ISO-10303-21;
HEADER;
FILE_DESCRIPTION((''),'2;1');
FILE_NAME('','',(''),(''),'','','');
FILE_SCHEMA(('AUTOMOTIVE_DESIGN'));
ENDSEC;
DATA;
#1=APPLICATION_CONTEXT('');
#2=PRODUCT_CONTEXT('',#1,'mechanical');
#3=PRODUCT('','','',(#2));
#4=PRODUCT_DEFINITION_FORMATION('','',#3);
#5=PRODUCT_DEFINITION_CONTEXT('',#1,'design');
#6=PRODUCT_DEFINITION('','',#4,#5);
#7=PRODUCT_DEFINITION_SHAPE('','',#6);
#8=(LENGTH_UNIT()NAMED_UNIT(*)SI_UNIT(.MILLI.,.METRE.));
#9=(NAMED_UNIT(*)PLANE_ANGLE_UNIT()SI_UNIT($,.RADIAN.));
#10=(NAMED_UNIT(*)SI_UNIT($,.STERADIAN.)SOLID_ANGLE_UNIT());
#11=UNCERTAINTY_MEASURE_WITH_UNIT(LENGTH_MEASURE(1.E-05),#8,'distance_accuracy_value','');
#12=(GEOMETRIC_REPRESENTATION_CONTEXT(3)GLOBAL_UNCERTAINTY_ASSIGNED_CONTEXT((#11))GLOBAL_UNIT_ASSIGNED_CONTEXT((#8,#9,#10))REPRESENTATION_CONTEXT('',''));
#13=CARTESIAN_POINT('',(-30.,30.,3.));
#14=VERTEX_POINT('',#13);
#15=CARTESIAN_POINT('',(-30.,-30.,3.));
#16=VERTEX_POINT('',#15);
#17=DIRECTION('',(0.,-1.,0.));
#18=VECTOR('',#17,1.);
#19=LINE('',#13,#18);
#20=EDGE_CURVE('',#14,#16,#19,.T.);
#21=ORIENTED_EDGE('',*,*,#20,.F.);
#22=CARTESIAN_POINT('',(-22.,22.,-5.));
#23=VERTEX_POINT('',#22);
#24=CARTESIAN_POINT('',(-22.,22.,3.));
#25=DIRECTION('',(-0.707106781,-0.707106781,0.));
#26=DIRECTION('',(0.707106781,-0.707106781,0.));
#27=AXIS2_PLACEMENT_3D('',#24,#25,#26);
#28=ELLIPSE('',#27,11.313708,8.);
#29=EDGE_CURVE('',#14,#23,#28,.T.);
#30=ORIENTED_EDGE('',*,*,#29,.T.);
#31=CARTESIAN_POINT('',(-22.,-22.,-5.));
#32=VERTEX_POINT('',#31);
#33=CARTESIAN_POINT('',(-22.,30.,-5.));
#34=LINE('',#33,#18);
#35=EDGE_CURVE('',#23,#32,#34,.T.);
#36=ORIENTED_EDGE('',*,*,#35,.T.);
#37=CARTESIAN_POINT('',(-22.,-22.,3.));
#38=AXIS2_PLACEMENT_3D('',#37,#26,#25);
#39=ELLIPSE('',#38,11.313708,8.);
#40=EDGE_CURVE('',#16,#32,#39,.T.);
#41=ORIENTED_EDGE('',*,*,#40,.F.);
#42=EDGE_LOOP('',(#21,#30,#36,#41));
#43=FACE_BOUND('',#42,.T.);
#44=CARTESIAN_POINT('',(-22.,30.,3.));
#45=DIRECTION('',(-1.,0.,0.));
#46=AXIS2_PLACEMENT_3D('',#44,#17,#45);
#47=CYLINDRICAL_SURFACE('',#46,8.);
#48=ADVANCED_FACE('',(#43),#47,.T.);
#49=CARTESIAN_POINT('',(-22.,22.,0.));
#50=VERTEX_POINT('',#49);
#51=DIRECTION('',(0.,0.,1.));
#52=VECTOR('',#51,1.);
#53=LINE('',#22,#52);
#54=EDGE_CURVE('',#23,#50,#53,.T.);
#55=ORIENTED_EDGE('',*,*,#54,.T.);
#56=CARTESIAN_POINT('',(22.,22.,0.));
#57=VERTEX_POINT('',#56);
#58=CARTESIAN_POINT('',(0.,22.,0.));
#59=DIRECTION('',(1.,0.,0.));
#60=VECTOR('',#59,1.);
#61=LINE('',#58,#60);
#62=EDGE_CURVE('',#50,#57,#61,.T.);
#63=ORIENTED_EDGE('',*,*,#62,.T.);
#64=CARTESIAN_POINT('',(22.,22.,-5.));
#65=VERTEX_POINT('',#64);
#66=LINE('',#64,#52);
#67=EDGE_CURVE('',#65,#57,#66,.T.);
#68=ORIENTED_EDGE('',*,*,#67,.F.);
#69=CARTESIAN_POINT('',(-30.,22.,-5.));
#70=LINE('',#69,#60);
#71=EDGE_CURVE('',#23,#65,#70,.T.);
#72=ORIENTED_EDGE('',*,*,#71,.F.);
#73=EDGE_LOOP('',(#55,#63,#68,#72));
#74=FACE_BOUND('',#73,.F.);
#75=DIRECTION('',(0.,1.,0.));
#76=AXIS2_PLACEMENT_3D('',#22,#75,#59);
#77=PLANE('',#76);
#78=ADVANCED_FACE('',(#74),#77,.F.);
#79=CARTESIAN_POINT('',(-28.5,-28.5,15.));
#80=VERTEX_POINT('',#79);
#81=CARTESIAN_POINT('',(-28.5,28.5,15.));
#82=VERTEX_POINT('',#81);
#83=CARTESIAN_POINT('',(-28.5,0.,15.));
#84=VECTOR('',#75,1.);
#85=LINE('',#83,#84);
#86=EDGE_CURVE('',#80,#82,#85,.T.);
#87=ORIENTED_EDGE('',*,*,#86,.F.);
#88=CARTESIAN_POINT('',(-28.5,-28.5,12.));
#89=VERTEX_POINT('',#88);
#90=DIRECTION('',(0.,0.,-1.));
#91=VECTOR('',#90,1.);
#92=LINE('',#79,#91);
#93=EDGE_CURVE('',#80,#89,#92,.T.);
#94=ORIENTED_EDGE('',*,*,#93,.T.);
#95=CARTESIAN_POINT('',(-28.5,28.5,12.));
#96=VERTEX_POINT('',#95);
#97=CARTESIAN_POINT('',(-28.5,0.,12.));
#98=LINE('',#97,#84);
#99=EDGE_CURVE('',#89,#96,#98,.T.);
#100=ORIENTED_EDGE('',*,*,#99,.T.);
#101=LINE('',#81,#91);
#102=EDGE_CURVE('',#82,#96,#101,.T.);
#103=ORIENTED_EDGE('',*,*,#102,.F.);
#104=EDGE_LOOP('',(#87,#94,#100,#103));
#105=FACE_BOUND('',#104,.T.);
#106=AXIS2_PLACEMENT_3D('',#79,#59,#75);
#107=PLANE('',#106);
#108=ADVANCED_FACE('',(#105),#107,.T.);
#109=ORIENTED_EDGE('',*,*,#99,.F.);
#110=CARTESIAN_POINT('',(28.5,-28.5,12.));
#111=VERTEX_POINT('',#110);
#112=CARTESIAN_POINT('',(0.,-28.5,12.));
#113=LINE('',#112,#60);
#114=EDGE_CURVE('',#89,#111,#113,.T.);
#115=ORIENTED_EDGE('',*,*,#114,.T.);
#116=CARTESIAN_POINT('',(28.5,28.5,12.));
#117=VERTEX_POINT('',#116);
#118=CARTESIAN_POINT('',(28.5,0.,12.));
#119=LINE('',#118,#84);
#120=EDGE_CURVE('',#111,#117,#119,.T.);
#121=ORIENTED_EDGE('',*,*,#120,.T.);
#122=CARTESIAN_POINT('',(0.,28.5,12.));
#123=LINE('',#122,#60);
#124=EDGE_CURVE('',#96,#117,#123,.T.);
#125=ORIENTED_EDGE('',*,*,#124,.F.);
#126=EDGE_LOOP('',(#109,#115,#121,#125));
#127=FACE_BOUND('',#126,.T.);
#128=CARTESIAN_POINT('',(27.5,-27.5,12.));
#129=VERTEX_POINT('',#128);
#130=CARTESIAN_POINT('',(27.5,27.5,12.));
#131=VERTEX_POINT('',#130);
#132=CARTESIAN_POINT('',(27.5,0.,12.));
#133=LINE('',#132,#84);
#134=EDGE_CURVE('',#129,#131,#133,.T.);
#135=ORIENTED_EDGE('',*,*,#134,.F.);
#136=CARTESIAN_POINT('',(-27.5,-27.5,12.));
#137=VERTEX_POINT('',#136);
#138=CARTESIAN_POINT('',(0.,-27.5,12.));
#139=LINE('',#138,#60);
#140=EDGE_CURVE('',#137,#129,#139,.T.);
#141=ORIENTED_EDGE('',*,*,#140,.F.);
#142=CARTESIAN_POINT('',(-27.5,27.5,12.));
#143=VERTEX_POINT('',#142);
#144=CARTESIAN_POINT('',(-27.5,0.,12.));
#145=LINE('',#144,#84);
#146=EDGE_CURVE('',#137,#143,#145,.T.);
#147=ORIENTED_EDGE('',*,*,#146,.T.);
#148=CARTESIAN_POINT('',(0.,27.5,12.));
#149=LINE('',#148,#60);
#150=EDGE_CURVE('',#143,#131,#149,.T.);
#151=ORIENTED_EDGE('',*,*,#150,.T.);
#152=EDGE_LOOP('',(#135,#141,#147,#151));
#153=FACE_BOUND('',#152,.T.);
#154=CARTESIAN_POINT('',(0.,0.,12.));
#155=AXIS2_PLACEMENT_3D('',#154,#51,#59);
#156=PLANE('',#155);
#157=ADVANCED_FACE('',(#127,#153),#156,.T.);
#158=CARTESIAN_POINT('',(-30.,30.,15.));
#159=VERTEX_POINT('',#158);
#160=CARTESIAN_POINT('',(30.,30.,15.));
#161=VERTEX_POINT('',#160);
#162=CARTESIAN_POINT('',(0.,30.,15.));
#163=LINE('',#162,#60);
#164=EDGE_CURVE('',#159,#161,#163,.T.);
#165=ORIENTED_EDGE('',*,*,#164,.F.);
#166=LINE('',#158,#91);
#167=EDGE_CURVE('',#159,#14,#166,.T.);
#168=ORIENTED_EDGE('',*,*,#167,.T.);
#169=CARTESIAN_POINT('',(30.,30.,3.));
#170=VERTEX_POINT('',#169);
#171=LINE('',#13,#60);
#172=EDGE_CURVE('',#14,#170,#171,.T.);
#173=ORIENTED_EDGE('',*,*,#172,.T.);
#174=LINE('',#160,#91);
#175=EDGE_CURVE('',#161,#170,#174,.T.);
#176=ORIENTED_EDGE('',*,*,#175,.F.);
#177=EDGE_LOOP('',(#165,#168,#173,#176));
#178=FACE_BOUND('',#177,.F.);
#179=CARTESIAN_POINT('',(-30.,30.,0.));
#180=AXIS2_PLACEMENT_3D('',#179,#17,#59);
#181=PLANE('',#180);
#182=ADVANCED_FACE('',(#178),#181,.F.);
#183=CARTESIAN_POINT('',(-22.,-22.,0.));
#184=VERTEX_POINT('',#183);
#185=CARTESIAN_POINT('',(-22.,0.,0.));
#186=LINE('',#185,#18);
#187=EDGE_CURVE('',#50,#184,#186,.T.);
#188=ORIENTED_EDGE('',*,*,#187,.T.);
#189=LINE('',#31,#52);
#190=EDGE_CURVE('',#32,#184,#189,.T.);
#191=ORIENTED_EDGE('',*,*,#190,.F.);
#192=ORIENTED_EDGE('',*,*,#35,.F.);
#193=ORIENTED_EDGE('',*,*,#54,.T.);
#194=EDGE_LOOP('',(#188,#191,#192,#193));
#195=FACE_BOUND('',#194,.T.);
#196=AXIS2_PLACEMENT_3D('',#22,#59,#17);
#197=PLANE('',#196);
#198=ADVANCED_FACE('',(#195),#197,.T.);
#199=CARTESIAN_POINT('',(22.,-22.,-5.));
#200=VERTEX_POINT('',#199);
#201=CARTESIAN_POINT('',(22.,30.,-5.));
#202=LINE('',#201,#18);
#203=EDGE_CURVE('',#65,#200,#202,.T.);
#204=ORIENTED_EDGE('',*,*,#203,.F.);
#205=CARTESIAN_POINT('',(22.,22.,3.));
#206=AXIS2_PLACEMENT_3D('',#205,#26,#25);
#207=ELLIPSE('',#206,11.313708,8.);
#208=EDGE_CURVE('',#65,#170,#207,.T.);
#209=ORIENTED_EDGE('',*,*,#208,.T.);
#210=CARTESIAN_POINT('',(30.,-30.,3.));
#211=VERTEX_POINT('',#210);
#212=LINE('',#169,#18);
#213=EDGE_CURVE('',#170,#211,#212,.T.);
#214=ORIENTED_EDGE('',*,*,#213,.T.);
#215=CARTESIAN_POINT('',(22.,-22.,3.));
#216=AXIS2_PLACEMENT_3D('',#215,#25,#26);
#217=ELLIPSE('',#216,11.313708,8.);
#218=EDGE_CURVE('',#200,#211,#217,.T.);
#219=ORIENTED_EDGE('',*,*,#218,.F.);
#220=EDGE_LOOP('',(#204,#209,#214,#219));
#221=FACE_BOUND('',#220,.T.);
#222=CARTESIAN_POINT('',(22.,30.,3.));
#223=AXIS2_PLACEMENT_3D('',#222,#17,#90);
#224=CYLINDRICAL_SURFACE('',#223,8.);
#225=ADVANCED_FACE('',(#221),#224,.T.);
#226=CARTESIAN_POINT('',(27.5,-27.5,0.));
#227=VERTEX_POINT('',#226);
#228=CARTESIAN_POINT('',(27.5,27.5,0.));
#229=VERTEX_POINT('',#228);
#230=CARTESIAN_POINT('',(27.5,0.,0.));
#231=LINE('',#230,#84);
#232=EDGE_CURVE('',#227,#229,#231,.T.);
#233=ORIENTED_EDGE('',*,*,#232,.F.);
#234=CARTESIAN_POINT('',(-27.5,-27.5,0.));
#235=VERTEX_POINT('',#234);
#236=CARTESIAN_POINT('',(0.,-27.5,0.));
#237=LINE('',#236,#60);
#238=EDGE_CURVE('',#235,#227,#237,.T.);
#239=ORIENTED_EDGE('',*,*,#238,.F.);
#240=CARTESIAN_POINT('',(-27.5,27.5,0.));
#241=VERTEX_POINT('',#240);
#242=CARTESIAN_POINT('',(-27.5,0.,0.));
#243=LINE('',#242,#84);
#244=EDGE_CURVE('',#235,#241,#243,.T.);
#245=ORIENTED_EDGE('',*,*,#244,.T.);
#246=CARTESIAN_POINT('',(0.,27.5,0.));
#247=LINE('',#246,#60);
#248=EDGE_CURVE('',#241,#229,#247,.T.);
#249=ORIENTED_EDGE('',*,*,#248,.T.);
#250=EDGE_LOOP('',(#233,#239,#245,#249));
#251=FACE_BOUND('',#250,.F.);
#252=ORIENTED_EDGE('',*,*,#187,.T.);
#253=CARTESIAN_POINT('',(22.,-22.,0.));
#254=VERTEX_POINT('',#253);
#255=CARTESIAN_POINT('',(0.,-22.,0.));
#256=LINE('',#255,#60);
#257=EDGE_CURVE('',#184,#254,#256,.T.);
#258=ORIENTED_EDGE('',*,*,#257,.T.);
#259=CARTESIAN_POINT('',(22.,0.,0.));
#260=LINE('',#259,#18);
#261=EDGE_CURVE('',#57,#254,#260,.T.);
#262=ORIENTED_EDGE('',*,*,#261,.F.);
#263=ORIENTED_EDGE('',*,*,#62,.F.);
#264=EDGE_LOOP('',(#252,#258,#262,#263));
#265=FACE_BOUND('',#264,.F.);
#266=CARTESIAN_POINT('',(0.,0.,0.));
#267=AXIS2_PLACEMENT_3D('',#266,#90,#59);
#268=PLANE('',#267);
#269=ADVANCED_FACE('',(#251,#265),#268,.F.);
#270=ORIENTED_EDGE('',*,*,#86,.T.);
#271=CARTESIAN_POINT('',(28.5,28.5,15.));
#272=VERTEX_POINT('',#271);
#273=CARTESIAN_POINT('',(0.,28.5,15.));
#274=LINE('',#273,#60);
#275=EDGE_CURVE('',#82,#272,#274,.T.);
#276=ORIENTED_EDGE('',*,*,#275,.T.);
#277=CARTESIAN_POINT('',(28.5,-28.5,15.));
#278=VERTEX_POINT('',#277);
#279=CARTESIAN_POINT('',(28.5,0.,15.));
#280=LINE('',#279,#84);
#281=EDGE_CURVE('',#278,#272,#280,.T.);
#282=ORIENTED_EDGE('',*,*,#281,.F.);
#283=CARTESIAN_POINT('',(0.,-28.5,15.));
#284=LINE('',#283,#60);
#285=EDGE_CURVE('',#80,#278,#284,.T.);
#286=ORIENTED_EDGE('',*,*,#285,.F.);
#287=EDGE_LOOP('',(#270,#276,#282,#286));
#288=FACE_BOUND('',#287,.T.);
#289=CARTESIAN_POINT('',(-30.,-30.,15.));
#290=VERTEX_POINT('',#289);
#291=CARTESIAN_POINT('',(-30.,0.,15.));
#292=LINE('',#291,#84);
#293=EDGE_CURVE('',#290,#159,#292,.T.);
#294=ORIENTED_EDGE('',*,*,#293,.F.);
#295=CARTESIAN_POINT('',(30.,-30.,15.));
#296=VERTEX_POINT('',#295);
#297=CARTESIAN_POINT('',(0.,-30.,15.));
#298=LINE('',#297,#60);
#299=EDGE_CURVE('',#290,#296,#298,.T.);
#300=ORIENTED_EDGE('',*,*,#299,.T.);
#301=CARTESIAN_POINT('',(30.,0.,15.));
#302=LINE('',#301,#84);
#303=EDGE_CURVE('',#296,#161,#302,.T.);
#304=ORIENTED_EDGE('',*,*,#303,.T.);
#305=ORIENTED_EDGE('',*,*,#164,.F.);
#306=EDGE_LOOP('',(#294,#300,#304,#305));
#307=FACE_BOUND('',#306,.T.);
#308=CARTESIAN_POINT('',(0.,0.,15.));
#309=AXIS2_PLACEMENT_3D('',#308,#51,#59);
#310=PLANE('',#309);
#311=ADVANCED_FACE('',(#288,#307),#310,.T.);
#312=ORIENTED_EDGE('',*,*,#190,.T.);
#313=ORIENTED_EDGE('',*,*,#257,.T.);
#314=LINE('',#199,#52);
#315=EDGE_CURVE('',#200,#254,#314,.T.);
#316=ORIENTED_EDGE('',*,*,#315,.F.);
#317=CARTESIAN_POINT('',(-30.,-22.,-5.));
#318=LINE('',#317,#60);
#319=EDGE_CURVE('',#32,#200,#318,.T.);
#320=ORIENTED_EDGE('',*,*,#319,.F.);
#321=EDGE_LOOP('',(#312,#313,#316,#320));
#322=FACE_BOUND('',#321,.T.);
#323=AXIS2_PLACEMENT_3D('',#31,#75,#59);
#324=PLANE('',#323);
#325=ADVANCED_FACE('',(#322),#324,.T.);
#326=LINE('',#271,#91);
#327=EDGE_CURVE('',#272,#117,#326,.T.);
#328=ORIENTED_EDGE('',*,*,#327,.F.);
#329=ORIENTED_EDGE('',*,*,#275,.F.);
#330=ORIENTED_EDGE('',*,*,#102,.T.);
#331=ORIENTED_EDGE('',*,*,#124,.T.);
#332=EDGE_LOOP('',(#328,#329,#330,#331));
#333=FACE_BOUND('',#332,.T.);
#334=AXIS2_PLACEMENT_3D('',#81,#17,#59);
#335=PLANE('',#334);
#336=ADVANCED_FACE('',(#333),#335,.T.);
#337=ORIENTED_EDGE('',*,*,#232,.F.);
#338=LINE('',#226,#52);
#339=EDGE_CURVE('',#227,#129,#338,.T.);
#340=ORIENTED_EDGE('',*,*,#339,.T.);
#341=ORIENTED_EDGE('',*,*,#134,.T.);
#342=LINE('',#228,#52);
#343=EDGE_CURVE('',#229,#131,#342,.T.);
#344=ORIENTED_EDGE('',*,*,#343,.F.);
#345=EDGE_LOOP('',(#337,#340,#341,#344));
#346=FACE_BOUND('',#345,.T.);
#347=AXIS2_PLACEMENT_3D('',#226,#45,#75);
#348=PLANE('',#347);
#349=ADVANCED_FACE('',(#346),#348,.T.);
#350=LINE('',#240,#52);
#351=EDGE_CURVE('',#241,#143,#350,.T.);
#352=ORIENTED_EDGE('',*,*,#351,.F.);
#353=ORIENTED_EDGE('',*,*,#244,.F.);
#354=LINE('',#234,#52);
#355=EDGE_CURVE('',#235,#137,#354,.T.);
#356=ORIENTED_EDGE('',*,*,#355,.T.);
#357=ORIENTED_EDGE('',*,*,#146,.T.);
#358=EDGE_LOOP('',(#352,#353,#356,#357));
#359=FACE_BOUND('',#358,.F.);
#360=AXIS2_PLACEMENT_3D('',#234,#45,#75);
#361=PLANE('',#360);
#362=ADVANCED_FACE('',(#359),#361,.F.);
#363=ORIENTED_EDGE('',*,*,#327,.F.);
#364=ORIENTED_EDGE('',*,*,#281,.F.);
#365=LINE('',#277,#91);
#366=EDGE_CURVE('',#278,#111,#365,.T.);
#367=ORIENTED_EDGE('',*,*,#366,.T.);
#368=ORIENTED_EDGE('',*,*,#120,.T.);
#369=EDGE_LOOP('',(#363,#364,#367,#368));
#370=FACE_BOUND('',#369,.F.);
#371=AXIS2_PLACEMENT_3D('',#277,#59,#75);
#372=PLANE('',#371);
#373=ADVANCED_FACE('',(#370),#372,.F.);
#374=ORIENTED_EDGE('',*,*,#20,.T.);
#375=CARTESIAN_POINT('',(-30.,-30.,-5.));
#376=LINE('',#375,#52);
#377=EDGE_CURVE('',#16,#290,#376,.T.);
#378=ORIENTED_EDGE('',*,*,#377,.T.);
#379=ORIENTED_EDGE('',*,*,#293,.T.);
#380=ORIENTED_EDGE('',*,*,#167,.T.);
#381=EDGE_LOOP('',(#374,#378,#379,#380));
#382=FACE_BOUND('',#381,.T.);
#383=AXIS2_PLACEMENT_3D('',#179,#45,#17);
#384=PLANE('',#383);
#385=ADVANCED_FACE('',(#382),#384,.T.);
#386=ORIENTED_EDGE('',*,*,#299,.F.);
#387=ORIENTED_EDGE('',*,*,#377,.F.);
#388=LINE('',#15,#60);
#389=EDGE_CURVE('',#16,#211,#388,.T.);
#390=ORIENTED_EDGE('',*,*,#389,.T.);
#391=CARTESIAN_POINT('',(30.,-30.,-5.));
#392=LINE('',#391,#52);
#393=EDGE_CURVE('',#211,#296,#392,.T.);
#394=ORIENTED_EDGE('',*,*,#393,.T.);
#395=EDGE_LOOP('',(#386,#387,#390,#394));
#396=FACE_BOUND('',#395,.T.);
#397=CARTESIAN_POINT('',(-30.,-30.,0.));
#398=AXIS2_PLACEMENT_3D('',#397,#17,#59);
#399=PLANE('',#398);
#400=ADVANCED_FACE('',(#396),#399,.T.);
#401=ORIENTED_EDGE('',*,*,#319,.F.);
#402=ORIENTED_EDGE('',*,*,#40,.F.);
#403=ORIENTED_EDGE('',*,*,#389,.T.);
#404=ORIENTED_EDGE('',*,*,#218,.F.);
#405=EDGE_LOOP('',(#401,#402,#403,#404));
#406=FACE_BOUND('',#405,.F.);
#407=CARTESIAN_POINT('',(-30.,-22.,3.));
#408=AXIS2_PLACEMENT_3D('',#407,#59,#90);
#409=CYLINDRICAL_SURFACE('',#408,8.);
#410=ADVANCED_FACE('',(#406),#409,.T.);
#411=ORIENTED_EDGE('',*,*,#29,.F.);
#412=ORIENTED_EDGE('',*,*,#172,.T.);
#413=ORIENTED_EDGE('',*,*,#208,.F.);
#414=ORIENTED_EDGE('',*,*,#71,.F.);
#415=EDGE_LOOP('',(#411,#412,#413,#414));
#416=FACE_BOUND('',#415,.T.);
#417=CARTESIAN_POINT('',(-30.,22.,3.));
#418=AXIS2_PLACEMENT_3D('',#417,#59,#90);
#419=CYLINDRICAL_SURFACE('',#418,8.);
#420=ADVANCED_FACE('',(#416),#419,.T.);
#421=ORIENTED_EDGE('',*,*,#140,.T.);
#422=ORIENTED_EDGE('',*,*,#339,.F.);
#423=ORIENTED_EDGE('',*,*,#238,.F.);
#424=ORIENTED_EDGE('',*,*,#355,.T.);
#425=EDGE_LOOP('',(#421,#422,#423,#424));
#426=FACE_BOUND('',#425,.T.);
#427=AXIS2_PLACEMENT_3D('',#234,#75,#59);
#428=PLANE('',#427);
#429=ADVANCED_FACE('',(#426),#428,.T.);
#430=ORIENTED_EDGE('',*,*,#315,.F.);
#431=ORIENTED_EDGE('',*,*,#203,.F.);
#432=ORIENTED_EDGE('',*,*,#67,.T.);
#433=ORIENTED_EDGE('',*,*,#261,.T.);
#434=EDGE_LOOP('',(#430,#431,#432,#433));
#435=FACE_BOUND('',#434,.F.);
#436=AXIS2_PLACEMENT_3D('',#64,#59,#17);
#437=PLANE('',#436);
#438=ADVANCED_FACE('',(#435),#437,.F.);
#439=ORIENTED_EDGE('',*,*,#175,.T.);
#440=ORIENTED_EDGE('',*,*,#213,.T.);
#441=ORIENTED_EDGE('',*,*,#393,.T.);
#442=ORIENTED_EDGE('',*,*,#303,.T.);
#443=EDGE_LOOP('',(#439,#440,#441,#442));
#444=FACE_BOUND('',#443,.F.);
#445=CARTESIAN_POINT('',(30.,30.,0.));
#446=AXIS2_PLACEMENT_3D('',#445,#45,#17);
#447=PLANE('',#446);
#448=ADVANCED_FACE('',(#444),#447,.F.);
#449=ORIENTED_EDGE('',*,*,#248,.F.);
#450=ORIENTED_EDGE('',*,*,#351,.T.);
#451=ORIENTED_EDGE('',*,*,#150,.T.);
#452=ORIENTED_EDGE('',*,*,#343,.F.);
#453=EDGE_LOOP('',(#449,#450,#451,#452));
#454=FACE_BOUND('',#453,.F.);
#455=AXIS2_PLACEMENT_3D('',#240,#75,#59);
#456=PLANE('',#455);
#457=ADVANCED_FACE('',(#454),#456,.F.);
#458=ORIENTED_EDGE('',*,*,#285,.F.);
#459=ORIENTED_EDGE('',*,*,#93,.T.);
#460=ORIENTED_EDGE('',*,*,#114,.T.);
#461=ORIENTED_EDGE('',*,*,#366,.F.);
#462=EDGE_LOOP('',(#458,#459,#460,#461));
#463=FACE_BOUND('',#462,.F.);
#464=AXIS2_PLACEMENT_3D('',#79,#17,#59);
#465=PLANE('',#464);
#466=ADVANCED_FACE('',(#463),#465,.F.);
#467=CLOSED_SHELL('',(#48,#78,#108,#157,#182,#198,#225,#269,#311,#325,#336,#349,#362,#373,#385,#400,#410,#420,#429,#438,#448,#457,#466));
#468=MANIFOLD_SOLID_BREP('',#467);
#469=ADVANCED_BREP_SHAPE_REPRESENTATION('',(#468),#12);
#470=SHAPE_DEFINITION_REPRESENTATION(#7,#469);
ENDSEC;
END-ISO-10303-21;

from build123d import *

# Parameters (mm, degrees)
F0_W     = 60
F0_H     = 60
F0_W_2   = 55
F0_H_2   = 55
F1_DEPTH = 15
F2_W     = 60
F2_H     = 60
F2_W_2   = 55
F2_H_2   = 55
F3_DEPTH = 5
F4_W     = 57
F4_H     = 57
F4_W_2   = 55
F4_H_2   = 55
F5_DEPTH = 3
F6_R     = 8
F7_W     = 44
F7_H     = 44
F8_DEPTH = 5


with BuildPart() as f1:
    # F0 (on Top) → F1 (new body)
    with BuildSketch(Plane.XY):
        Rectangle(F0_W, F0_H)
        Rectangle(F0_W_2, F0_H_2, mode=Mode.SUBTRACT)
    extrude(amount=F1_DEPTH)

    # F2 (on face) → F3 (join)
    with BuildSketch(Plane(origin=(0, 0, 0), x_dir=(1, 0, 0), z_dir=(0, 0, -1))):
        Rectangle(F2_W, F2_H)
        Rectangle(F2_W_2, F2_H_2, mode=Mode.SUBTRACT)
        Rectangle(F2_W_2, F2_H_2)
    extrude(amount=F3_DEPTH)

    # F4 (on face) → F5 (cut)
    with BuildSketch(Plane.XY.offset(15)):
        Rectangle(F4_W, F4_H)
        Rectangle(F4_W_2, F4_H_2, mode=Mode.SUBTRACT)
    extrude(amount=-F5_DEPTH, mode=Mode.SUBTRACT)

    # F6
    f6_edges = [f1.edges().sort_by_distance(p)[0] for p in [
        (-30, 0, -5),
        (30, 0, -5),
        (0, 30, -5),
        (0, -30, -5),
    ]]
    fillet(f6_edges, radius=F6_R)

    # F7 (on face) → F8 (cut)
    with BuildSketch(Plane(origin=(0, 0, -5), x_dir=(1, 0, 0), z_dir=(0, 0, -1))):
        Rectangle(F7_W, F7_H)
    extrude(amount=-F8_DEPTH, mode=Mode.SUBTRACT)


solid = f1.part
